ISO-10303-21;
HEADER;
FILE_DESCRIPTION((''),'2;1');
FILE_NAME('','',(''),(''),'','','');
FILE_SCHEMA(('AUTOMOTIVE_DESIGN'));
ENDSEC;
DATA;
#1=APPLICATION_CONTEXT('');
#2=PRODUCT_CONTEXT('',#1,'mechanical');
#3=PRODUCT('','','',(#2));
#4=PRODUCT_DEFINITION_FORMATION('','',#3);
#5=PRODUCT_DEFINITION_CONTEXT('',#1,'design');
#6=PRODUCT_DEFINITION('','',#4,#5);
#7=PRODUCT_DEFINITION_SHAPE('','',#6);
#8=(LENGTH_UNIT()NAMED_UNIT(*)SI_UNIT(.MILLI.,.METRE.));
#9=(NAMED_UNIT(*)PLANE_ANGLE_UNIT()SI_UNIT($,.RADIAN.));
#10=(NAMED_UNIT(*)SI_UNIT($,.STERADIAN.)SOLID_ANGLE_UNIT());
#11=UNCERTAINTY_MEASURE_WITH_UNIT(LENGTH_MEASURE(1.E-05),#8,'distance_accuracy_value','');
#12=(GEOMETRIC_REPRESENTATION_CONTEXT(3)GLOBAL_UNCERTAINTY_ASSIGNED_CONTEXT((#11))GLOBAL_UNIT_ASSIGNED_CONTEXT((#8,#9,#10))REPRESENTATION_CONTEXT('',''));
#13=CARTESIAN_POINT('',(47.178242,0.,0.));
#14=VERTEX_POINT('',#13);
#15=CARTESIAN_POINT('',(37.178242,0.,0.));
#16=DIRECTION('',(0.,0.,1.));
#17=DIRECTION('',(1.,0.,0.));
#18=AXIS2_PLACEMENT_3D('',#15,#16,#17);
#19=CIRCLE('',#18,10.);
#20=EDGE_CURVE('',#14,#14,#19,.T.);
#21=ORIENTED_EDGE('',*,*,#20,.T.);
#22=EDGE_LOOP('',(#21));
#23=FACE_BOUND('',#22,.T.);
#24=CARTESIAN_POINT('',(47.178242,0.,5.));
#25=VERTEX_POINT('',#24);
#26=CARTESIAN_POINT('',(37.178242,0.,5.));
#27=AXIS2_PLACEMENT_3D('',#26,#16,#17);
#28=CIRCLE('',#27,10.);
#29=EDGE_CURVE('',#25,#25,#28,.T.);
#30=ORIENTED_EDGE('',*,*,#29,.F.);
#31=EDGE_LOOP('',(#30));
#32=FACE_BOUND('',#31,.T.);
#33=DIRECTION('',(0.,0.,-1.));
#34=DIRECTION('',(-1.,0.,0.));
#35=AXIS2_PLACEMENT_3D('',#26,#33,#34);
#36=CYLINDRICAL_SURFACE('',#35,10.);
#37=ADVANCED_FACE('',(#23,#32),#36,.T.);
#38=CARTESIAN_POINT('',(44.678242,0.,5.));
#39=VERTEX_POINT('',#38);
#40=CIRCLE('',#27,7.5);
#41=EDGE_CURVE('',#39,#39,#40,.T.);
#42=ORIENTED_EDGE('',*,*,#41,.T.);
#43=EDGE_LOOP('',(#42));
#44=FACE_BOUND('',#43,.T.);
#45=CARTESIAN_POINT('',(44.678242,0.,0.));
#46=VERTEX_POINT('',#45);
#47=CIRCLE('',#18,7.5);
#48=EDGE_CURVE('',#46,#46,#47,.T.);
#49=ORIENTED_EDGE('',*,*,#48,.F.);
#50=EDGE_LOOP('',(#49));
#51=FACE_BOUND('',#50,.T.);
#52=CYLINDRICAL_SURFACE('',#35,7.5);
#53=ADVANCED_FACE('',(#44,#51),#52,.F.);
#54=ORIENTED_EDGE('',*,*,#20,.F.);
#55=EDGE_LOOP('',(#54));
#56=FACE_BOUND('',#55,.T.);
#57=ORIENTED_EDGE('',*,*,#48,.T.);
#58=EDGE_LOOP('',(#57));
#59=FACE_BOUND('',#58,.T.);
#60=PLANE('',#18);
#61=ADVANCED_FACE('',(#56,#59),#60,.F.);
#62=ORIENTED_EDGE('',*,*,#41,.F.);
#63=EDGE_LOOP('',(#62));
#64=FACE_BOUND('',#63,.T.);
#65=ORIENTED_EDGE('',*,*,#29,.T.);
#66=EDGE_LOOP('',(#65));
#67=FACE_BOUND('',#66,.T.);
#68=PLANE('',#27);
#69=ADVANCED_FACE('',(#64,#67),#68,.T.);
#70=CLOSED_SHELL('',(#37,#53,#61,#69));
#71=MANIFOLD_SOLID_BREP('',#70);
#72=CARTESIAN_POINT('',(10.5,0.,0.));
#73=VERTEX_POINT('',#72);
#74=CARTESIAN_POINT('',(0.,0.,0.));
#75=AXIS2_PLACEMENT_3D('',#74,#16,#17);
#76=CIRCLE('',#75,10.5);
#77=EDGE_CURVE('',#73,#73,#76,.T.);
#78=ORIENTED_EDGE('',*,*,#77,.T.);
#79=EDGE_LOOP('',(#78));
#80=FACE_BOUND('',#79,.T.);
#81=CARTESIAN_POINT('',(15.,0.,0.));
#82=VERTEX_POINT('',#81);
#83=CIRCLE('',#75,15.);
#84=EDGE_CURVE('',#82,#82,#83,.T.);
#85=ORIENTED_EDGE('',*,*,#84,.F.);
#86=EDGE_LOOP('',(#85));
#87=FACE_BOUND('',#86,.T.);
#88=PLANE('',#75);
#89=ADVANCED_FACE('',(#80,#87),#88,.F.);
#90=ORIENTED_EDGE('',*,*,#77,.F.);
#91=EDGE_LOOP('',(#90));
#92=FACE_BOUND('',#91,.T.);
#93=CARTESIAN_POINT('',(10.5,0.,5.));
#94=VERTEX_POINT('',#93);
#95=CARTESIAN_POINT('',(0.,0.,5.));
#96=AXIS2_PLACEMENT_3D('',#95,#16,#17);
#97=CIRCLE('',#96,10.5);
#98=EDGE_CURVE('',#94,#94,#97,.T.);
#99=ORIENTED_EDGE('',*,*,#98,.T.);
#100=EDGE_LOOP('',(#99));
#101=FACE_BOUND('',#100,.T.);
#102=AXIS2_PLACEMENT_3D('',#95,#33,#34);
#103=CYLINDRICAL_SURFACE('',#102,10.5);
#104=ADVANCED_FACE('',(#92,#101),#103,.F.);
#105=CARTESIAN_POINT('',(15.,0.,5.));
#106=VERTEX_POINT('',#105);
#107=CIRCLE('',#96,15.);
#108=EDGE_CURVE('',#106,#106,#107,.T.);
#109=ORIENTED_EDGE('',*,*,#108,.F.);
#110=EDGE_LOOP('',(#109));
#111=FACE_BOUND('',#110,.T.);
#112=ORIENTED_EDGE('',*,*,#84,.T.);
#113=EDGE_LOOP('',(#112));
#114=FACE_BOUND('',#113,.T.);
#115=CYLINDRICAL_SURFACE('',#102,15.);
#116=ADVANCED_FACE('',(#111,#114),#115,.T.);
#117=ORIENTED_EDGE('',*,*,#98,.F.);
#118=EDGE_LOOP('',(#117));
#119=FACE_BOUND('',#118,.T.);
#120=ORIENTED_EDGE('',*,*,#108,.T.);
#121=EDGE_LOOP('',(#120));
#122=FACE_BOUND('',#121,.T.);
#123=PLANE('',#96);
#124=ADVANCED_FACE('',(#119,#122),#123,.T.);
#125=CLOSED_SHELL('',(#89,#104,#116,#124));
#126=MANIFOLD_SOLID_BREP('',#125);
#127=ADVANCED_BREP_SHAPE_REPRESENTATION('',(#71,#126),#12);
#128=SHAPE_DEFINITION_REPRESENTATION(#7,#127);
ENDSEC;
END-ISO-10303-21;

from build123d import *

# Parameters (mm, degrees)
ESQUISSE1_R        = 15
ESQUISSE1_R_2      = 10.5
BOSS_EXTRU_1_DEPTH = 5
ESQUISSE3_R        = 10
ESQUISSE3_R_2      = 7.5
BOSS_EXTRU_2_DEPTH = 5


with BuildPart() as part:
    # Esquisse1 → Boss.-Extru.1 (new body)
    with BuildSketch(Plane.XY):
        Circle(ESQUISSE1_R)
        Circle(ESQUISSE1_R_2, mode=Mode.SUBTRACT)
    extrude(amount=BOSS_EXTRU_1_DEPTH)


with BuildPart() as body_2:
    # Esquisse3 → Boss.-Extru.2 (new body)
    with BuildSketch(Plane.XY):
        with Locations((37.178242291, 0)):
            Circle(ESQUISSE3_R)
        with Locations((37.178242291, 0)):
            Circle(ESQUISSE3_R_2, mode=Mode.SUBTRACT)
    extrude(amount=BOSS_EXTRU_2_DEPTH)


solid = Compound([part.part, body_2.part])
